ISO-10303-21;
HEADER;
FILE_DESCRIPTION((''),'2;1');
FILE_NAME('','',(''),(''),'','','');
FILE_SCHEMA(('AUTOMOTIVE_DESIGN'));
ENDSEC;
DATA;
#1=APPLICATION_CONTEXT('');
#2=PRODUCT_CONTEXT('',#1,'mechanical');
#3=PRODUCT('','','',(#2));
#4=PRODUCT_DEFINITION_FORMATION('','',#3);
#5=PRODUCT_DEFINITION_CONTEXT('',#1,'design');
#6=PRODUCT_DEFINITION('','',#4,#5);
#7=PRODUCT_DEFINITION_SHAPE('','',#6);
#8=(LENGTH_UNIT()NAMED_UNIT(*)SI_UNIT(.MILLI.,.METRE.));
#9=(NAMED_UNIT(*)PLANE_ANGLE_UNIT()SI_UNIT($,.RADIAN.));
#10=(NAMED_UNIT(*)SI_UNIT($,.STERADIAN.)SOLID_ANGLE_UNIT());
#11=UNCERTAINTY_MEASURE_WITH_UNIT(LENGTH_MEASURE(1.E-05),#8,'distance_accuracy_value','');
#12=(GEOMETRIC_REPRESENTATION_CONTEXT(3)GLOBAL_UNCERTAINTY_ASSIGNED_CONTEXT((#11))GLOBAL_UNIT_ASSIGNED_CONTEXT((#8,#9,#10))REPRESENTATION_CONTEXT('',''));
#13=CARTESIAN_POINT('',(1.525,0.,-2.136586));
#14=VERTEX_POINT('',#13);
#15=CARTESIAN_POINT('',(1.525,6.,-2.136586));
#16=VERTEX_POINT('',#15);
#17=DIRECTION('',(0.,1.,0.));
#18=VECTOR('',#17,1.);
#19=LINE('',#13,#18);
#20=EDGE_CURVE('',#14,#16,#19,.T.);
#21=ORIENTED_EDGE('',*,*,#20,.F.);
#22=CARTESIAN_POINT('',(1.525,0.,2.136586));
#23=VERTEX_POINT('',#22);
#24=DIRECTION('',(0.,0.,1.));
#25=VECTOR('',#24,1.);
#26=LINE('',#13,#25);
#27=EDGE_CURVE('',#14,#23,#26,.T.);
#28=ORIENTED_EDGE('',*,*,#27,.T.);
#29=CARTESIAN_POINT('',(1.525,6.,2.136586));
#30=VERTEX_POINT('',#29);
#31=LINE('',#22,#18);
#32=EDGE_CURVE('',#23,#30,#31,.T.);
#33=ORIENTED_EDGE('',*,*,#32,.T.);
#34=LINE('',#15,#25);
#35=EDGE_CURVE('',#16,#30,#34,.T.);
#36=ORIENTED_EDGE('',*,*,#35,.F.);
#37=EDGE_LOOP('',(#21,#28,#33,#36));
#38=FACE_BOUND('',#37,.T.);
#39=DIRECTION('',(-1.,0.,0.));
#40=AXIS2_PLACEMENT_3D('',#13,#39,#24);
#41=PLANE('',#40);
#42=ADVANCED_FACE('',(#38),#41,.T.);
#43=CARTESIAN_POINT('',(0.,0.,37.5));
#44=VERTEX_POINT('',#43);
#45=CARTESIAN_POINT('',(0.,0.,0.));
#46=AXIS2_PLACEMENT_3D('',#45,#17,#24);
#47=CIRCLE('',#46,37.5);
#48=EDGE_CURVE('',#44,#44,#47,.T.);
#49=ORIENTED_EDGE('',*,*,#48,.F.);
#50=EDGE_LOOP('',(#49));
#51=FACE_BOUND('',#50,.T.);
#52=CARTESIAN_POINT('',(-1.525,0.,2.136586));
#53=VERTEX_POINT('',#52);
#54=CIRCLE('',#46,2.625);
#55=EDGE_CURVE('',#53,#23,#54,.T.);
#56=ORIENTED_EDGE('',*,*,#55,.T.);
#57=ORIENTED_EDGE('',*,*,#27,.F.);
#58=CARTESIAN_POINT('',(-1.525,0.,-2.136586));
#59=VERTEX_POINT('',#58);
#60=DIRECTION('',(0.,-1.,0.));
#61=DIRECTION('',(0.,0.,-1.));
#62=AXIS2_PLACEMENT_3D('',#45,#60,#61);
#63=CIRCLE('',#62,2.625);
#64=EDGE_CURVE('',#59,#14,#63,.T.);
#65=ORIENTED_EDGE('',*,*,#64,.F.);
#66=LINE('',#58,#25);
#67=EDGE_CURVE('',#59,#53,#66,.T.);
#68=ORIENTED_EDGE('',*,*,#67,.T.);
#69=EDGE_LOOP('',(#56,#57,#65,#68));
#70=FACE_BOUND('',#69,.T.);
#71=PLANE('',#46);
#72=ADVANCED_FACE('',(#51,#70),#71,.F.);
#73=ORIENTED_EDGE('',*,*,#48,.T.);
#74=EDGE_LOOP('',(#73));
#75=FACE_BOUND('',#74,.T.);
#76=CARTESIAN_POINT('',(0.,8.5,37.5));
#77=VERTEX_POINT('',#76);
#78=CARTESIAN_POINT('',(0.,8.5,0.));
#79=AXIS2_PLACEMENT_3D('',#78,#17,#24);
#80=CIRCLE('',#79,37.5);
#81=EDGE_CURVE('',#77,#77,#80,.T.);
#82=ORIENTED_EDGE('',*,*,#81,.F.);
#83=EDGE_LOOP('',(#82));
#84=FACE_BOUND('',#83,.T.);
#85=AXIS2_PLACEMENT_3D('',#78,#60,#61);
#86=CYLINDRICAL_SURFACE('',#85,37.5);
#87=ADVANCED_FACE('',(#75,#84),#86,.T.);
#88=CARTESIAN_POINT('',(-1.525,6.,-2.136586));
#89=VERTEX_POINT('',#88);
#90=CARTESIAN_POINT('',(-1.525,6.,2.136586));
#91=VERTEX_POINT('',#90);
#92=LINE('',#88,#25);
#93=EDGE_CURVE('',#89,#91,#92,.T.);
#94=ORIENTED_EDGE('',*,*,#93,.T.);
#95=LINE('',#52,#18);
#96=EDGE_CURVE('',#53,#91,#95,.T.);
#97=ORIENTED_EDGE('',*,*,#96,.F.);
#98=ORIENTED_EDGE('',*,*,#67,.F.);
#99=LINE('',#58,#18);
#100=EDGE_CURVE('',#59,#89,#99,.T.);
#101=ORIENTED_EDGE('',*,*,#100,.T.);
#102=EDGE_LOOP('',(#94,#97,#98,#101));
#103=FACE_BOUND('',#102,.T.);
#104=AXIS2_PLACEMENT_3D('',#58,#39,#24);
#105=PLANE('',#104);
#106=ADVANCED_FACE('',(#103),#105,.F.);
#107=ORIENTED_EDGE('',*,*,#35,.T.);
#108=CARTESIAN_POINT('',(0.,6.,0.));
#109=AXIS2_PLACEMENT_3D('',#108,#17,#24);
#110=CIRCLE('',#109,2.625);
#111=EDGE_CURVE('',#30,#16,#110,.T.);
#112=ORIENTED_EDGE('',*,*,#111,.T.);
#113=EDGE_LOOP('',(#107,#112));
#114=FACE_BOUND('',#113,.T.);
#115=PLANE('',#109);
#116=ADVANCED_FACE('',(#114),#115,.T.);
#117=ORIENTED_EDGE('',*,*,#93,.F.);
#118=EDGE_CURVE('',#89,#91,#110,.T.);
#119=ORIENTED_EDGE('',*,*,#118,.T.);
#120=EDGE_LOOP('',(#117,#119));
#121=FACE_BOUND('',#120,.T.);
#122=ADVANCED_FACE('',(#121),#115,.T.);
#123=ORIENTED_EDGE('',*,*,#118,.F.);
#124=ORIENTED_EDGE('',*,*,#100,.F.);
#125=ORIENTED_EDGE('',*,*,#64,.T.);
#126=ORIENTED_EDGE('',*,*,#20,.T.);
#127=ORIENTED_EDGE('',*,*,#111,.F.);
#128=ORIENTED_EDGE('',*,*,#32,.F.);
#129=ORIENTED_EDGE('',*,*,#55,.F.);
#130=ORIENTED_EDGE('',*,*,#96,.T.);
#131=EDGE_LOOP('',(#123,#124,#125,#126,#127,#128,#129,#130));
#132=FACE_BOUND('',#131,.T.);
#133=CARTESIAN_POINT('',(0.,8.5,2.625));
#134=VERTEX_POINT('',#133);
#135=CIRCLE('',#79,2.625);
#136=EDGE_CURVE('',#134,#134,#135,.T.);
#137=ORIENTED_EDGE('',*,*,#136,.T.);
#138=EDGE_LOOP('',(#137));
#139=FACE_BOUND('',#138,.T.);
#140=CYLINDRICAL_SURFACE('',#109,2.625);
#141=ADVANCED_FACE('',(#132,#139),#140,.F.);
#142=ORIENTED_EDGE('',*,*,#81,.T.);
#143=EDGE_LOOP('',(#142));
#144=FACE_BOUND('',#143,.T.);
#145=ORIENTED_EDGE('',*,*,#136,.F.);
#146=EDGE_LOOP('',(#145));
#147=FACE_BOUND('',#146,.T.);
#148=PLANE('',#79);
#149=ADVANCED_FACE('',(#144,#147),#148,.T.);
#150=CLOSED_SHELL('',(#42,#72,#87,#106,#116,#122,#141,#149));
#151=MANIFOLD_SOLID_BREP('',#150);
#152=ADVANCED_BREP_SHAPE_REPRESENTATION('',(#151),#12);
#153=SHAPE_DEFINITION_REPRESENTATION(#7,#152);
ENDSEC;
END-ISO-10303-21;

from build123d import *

# Parameters (mm, degrees)
SKETCH1_R           = 37.5
BOSS_EXTRUDE1_DEPTH = 8.5
SKETCH2_R           = 2.625
CUT_EXTRUDE1_DEPTH  = 2.5
CUT_EXTRUDE2_DEPTH  = 6


with BuildPart() as part:
    # Sketch1 → Boss-Extrude1 (new body)
    with BuildSketch(Plane(origin=(0, 0, 0), x_dir=(1, 0, 0), z_dir=(0, 1, 0))):
        Circle(SKETCH1_R)
    extrude(amount=BOSS_EXTRUDE1_DEPTH)

    # Sketch2 → Cut-Extrude1 (cut)
    with BuildSketch(Plane(origin=(0, 8.5, 0), x_dir=(1, 0, 0), z_dir=(0, 1, 0))):
        Circle(SKETCH2_R)
    extrude(amount=-CUT_EXTRUDE1_DEPTH, mode=Mode.SUBTRACT)

    # Sketch3 → Cut-Extrude2 (cut)
    with BuildSketch(Plane(origin=(0, 6, 0), x_dir=(1, 0, 0), z_dir=(0, 1, 0))):
        with BuildLine():
            Line((-1.525, 2.136586062), (-1.525, -2.136586062))
            ThreePointArc((-1.525, -2.136586062), (0, -2.625), (1.525, -2.136586062))
            Line((1.525, -2.136586062), (1.525, 2.136586062))
            ThreePointArc((1.525, 2.136586062), (0, 2.625), (-1.525, 2.136586062))
        make_face()
    extrude(amount=-CUT_EXTRUDE2_DEPTH, mode=Mode.SUBTRACT)


solid = part.part
